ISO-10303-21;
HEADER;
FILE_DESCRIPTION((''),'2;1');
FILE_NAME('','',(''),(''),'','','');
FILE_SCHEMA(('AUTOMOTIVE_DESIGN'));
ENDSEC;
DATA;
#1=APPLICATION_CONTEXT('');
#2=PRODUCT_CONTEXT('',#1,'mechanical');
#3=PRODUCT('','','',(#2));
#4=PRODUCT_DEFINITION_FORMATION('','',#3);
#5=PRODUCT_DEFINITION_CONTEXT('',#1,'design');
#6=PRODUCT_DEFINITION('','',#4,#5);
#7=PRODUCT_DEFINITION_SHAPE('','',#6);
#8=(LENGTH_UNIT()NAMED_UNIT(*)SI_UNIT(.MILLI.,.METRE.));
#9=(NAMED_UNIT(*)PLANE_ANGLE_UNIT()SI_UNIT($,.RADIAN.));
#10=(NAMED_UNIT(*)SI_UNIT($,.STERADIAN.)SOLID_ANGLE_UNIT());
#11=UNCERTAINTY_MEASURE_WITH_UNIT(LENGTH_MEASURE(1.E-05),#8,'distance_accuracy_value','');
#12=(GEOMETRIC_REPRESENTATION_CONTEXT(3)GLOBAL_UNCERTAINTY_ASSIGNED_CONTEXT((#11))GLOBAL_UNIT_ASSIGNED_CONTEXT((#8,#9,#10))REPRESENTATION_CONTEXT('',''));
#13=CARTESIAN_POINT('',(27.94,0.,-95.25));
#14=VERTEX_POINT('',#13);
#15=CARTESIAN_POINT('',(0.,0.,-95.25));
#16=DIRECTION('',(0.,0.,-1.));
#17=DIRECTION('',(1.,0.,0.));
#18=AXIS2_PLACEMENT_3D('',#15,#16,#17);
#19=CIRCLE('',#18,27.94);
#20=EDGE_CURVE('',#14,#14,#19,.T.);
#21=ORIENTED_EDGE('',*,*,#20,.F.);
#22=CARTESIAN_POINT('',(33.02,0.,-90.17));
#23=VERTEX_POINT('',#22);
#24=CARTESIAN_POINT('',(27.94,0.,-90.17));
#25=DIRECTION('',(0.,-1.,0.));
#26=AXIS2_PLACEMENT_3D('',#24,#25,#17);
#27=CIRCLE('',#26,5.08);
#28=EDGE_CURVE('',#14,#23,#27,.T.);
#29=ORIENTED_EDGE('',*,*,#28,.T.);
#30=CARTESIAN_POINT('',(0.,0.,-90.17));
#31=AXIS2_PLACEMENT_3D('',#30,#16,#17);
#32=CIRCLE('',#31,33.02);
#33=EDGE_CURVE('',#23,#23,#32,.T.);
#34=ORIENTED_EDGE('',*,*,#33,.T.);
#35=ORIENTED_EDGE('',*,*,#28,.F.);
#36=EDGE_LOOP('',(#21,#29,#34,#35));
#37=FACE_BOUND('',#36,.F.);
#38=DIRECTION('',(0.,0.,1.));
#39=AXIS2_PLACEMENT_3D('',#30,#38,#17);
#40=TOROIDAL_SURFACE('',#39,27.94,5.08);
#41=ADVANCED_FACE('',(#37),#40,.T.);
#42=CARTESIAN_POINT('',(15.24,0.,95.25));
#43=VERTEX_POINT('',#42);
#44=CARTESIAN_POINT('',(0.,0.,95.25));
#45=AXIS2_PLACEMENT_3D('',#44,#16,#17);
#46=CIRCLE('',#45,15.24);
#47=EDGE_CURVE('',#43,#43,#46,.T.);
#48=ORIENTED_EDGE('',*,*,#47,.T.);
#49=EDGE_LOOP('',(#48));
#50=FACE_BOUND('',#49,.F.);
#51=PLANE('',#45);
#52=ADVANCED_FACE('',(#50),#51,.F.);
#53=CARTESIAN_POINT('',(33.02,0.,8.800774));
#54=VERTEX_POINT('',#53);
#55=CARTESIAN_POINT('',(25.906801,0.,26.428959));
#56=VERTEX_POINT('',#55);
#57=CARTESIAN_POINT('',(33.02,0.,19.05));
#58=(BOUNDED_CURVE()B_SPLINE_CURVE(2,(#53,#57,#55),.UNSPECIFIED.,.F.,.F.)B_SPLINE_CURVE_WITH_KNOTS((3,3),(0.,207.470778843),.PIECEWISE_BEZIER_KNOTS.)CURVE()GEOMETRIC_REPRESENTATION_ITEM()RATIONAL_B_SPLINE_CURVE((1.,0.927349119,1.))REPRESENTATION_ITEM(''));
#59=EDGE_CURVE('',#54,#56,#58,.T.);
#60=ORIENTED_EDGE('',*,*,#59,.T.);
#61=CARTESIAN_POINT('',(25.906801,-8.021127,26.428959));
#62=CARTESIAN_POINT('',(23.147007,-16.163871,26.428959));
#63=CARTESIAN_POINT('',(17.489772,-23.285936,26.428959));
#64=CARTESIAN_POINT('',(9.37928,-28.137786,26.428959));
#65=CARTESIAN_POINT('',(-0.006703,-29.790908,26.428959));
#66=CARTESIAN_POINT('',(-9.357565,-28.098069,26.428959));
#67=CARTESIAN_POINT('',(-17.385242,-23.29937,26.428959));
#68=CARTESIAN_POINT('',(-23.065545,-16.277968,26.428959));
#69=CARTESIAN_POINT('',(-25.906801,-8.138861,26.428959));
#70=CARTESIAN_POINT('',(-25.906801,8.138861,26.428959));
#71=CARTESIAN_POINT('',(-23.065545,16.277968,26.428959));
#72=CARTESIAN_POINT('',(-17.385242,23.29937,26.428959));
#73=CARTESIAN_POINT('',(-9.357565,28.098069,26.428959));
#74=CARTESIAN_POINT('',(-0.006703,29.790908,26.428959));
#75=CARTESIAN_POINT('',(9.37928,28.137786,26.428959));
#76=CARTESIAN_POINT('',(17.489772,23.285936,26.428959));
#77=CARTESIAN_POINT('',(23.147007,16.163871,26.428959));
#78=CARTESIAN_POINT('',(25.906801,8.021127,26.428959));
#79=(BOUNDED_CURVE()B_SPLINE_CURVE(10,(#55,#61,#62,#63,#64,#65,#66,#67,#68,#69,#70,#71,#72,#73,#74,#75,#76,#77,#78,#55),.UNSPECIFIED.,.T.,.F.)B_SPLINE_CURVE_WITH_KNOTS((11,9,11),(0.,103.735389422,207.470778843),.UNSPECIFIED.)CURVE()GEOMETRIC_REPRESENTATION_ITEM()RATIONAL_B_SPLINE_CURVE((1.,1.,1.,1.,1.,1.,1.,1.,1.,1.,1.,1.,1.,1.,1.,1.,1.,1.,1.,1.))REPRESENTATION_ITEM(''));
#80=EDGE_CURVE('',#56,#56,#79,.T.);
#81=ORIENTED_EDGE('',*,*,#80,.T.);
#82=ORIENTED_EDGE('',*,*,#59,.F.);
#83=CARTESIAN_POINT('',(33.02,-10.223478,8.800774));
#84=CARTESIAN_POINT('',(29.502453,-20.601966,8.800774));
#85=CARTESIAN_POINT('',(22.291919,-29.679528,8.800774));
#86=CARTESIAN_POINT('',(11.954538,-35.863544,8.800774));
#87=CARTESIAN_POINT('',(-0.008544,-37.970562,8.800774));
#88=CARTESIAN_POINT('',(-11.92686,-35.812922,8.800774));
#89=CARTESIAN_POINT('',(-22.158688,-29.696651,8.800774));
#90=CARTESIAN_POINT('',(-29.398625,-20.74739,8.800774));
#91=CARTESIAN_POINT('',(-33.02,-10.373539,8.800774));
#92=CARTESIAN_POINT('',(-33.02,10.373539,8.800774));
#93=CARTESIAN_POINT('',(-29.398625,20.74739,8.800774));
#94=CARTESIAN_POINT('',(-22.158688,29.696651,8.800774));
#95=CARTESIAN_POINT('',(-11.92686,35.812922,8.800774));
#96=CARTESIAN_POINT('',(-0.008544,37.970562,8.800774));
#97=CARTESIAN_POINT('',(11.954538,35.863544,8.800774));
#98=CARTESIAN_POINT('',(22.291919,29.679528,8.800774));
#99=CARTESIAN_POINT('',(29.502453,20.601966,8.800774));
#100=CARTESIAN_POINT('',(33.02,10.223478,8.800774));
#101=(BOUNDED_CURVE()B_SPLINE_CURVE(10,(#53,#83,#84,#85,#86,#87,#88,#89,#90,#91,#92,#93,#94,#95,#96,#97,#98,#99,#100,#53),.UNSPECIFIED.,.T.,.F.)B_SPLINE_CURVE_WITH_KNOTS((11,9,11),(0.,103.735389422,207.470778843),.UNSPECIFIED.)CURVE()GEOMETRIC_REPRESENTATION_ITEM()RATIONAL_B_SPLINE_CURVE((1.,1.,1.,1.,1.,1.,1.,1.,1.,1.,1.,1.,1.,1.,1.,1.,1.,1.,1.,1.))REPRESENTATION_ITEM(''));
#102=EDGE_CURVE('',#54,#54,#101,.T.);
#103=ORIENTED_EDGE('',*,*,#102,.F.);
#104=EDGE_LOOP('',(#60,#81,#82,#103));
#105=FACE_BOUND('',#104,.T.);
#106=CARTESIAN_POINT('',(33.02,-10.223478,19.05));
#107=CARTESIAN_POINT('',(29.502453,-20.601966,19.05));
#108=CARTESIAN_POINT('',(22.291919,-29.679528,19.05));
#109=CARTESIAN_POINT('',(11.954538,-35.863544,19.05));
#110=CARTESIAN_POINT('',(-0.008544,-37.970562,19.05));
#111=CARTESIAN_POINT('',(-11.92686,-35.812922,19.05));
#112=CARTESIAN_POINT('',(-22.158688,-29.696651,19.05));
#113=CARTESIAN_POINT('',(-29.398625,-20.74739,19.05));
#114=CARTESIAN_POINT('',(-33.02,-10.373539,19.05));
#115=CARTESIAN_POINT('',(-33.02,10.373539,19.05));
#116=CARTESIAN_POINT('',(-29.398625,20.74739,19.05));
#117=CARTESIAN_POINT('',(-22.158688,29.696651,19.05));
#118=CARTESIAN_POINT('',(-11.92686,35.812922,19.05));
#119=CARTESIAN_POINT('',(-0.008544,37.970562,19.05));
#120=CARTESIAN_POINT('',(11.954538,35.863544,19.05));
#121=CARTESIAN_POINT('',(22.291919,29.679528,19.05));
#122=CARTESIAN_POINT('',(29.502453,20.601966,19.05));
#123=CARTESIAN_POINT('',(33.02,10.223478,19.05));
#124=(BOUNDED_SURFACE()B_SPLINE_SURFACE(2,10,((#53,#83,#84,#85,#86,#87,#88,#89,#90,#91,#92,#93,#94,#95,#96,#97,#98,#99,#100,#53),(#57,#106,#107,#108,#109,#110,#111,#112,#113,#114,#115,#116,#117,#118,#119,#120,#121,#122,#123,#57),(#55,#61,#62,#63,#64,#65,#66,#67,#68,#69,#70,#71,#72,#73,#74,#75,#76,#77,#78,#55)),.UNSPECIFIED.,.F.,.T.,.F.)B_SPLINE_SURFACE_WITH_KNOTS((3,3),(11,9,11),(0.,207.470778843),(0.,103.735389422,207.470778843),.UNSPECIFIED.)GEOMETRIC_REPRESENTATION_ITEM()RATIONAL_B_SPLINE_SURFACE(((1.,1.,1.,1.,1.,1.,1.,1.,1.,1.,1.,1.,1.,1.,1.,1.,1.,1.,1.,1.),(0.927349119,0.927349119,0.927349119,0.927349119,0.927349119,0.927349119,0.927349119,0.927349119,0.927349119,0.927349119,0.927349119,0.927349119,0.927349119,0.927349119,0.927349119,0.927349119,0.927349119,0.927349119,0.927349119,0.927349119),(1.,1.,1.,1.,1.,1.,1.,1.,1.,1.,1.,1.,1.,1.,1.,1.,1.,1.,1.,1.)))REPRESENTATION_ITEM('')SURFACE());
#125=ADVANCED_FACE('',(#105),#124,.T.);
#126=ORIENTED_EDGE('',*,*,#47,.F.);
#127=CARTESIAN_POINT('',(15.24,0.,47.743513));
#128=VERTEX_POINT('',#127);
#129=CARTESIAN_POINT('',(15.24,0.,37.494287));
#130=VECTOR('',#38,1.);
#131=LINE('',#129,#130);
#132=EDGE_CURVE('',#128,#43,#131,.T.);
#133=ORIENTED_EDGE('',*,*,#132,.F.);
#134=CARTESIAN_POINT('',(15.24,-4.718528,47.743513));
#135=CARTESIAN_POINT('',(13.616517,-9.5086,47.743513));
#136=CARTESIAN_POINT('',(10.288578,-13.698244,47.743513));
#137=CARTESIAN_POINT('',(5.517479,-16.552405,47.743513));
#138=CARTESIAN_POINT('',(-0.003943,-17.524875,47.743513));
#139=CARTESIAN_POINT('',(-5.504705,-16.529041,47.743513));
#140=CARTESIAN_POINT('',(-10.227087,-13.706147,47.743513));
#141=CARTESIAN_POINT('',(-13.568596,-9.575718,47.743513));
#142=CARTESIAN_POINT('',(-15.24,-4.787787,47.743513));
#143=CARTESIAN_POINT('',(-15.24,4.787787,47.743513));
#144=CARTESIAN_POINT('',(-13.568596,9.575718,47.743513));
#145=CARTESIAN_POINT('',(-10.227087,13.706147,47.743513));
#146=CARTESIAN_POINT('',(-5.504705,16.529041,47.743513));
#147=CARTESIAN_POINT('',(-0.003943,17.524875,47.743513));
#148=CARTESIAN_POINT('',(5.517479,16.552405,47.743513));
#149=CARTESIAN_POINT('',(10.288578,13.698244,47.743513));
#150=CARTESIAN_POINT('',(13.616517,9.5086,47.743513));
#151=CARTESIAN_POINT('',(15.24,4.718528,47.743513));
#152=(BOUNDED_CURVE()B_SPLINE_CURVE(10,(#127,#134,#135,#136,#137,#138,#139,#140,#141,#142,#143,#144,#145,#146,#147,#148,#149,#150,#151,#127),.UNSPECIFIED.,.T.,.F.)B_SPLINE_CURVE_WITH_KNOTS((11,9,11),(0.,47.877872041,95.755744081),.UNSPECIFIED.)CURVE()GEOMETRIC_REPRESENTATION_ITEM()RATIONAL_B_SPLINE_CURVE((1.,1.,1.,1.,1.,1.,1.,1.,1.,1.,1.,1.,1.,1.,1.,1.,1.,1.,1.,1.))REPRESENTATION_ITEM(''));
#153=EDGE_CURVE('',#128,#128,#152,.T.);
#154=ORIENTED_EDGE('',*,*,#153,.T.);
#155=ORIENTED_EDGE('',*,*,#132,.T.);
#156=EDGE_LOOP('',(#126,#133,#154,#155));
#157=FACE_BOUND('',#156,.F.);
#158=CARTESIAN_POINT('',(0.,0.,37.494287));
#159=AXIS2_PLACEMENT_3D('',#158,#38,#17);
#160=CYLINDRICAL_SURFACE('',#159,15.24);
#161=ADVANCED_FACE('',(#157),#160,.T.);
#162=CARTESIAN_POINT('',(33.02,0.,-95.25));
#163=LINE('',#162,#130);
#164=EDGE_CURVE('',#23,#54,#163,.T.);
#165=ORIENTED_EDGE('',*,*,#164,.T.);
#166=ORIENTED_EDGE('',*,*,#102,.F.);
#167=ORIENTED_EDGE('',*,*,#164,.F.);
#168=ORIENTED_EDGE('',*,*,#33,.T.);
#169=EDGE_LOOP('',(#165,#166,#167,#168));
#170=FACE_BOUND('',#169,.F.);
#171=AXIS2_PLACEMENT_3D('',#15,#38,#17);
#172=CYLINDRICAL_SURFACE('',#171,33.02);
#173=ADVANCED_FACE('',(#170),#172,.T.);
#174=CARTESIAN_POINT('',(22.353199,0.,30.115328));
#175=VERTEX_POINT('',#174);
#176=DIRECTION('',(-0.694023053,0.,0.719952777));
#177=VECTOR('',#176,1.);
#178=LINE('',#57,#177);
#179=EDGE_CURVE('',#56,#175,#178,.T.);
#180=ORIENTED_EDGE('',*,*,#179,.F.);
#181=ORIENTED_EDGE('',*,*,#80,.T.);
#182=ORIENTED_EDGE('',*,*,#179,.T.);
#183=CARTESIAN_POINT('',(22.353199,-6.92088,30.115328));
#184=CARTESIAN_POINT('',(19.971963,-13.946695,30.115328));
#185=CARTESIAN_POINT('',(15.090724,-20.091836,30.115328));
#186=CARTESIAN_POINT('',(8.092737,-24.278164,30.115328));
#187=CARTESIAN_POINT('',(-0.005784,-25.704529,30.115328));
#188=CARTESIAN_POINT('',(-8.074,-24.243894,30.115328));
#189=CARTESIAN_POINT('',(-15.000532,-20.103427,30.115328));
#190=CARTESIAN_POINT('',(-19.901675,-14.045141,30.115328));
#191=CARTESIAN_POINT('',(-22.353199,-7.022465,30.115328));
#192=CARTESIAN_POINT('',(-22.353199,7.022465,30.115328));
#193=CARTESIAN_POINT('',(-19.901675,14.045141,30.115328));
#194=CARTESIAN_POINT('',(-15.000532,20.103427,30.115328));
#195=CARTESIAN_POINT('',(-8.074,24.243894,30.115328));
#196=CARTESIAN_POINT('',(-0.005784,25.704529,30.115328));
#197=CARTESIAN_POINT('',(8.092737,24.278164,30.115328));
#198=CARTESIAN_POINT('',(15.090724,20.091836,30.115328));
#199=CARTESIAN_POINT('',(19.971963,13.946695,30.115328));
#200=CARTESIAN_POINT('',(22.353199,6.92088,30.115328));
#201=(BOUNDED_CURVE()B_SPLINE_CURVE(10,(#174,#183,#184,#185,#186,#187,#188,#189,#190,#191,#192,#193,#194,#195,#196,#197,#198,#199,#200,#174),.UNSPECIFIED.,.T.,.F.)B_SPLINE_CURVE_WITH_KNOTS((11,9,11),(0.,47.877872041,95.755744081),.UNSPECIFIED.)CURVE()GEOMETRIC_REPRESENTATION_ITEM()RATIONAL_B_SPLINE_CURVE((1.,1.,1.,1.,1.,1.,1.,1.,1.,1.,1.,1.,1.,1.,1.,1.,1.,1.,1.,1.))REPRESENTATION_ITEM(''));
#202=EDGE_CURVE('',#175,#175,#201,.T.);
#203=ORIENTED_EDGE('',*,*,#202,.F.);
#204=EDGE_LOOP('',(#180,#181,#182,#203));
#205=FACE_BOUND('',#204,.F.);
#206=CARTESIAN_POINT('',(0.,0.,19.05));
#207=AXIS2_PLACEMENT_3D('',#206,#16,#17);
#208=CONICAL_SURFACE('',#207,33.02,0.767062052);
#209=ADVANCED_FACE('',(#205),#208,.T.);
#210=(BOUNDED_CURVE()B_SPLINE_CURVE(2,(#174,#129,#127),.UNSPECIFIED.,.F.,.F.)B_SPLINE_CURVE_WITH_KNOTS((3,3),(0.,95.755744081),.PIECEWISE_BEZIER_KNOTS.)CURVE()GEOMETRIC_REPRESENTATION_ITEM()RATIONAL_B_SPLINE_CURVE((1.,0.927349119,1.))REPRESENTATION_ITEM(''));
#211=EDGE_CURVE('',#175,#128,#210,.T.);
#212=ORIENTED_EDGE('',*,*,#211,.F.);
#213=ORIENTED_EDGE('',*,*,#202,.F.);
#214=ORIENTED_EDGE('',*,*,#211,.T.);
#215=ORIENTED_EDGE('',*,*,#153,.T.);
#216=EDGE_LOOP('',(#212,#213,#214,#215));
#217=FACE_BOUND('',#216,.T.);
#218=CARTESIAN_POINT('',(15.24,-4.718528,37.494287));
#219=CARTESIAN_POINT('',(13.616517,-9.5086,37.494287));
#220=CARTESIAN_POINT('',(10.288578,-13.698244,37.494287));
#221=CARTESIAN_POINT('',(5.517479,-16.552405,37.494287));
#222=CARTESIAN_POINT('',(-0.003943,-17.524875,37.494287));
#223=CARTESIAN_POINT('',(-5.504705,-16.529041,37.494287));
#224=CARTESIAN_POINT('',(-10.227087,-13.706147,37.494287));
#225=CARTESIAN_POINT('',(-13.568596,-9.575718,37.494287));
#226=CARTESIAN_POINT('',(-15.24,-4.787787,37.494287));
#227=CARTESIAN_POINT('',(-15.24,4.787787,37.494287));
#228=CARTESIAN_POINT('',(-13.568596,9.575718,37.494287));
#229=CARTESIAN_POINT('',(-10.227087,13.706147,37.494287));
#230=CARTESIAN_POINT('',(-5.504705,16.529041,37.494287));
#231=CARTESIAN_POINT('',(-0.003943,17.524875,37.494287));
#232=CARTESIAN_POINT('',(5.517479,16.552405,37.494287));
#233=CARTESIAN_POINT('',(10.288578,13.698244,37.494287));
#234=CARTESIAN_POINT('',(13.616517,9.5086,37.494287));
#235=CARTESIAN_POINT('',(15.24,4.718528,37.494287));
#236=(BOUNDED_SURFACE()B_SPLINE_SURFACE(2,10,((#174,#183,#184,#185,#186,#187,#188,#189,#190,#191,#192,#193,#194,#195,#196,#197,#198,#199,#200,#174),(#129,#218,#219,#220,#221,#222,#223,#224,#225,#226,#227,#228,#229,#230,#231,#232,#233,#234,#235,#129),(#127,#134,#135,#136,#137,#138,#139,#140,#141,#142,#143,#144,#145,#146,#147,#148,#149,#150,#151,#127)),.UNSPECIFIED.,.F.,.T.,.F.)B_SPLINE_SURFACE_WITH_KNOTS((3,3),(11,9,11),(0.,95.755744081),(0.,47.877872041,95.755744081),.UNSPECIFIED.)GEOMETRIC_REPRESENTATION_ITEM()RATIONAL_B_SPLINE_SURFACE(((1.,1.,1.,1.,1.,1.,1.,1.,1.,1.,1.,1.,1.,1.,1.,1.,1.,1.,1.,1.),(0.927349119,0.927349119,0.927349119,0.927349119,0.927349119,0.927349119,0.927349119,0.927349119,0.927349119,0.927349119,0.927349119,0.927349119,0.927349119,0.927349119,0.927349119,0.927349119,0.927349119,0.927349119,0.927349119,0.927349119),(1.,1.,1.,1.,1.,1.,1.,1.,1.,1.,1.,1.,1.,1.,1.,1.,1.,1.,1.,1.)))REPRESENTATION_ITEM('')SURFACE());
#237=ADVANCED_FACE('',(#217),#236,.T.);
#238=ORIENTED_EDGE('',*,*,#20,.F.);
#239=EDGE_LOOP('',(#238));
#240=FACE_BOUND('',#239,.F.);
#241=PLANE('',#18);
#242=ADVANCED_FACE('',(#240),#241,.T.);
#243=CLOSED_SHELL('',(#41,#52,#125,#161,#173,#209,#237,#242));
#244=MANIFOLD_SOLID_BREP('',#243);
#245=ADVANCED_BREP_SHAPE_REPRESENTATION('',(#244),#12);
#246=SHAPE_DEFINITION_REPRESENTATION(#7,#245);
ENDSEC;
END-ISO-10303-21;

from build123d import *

# Parameters (mm, degrees)
F2_R = 5.08
F3_R = 25.4


with BuildPart() as f1:
    # F0 (on Front) → F1 (revolve)
    with BuildSketch(Plane.XZ):
        Polygon((15.24, 95.25), (0, 95.25), (0, -95.25), (33.02, -95.25), (33.02, 19.05), (15.24, 37.494287), align=None)
    revolve(axis=Axis((0, 0, 2.313137), (0, 0, -1)))

    # F2
    f2_edges = [f1.edges().sort_by_distance(p)[0] for p in [
        (-33.02, 0, -95.25),
    ]]
    fillet(f2_edges, radius=F2_R)

    # F3
    f3_edges = [f1.edges().sort_by_distance(p)[0] for p in [
        (-33.02, 0, 19.05),
        (-15.24, 0, 37.494287),
    ]]
    fillet(f3_edges, radius=F3_R)


solid = f1.part
